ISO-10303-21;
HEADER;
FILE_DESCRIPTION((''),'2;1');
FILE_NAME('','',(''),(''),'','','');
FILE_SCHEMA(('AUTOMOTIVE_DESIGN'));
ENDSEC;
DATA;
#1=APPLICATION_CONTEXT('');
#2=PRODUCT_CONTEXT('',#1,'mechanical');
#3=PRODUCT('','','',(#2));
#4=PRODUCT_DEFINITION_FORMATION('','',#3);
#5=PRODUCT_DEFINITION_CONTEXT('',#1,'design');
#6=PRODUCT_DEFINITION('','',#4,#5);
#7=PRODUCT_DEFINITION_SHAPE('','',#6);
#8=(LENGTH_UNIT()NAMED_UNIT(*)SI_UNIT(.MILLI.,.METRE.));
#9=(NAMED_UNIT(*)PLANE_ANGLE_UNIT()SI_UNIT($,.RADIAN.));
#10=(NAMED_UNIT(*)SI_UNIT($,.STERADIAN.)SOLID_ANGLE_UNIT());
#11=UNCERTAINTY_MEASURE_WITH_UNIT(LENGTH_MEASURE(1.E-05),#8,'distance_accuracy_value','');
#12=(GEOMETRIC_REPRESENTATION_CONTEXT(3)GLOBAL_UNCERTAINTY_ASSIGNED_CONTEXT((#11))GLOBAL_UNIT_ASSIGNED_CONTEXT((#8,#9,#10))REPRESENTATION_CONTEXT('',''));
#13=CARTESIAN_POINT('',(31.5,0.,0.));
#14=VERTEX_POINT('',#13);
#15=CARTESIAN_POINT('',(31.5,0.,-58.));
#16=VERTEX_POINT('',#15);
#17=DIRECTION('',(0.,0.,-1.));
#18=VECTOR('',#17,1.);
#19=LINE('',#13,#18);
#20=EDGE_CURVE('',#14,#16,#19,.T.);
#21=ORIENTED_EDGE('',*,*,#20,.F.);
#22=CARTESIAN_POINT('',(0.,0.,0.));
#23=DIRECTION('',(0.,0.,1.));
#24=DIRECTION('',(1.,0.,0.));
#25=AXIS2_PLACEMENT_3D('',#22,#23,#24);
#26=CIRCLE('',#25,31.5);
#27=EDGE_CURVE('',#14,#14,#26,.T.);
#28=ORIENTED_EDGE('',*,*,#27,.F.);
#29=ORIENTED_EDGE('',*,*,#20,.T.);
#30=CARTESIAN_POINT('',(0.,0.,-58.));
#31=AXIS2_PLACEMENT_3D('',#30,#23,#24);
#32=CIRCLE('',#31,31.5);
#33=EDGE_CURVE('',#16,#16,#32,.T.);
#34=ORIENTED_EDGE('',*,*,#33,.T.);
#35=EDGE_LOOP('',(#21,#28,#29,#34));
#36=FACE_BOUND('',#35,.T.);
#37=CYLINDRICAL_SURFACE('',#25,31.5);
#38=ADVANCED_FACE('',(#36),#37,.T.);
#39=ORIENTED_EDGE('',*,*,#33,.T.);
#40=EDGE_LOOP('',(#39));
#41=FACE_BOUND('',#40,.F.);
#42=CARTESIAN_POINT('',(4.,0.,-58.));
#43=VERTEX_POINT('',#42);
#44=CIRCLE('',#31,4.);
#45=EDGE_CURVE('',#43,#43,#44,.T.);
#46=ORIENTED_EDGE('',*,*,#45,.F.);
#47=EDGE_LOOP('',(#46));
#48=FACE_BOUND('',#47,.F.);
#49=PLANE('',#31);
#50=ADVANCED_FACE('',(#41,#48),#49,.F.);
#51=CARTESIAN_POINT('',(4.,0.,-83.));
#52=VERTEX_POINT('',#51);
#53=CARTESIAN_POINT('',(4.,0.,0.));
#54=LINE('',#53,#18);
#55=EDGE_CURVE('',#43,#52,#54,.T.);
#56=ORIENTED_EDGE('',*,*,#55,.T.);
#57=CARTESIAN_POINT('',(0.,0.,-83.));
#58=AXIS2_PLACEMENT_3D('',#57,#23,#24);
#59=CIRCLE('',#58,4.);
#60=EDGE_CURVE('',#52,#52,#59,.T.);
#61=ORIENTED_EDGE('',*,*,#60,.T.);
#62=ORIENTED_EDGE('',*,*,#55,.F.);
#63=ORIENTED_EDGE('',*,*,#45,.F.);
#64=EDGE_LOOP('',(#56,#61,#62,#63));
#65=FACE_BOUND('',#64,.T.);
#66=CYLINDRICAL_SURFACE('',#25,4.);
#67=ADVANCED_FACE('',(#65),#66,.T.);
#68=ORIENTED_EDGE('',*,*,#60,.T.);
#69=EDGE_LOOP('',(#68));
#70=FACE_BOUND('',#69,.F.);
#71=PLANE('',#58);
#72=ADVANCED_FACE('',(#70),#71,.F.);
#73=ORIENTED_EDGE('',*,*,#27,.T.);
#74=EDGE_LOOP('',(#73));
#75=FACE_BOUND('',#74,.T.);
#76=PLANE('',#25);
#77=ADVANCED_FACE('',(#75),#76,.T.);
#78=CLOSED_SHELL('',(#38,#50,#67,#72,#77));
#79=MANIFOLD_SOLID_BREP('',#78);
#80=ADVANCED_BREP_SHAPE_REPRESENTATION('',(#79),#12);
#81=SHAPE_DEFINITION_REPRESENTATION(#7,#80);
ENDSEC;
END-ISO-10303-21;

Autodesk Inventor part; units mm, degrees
ref_plane "YZ Plane" through (0, 0, 0) normal (1, 0, 0) x (0, 1, 0)
ref_plane "XZ Plane" through (0, 0, 0) normal (0, 1, 0) x (-1, 0, 0)
ref_plane "XY Plane" through (0, 0, 0) normal (0, 0, 1) x (1, 0, 0)
sketch "Sketch2" plane through (0, 0, 0) normal (0, 0, 1) x (1, 0, 0)
  circle A0 centre (0, 0) radius 4
  dimension "d0" = 8
extrude "Extrusion1" add sketch "Sketch2" against normal blind 83
sketch "Sketch3" plane through (0, 0, 0) normal (0, 0, 1) x (1, 0, 0)
  circle A0 centre (0, 0) radius 31.5
  dimension "d3" = 63
extrude "Extrusion2" add sketch "Sketch3" against normal blind 58
sketch "Sketch4" plane through (0, 0, 0) normal (0, 0, 1) x (1, 0, 0)
  point P0 (0, 0)
properties part number "CH-1-01-motor"
